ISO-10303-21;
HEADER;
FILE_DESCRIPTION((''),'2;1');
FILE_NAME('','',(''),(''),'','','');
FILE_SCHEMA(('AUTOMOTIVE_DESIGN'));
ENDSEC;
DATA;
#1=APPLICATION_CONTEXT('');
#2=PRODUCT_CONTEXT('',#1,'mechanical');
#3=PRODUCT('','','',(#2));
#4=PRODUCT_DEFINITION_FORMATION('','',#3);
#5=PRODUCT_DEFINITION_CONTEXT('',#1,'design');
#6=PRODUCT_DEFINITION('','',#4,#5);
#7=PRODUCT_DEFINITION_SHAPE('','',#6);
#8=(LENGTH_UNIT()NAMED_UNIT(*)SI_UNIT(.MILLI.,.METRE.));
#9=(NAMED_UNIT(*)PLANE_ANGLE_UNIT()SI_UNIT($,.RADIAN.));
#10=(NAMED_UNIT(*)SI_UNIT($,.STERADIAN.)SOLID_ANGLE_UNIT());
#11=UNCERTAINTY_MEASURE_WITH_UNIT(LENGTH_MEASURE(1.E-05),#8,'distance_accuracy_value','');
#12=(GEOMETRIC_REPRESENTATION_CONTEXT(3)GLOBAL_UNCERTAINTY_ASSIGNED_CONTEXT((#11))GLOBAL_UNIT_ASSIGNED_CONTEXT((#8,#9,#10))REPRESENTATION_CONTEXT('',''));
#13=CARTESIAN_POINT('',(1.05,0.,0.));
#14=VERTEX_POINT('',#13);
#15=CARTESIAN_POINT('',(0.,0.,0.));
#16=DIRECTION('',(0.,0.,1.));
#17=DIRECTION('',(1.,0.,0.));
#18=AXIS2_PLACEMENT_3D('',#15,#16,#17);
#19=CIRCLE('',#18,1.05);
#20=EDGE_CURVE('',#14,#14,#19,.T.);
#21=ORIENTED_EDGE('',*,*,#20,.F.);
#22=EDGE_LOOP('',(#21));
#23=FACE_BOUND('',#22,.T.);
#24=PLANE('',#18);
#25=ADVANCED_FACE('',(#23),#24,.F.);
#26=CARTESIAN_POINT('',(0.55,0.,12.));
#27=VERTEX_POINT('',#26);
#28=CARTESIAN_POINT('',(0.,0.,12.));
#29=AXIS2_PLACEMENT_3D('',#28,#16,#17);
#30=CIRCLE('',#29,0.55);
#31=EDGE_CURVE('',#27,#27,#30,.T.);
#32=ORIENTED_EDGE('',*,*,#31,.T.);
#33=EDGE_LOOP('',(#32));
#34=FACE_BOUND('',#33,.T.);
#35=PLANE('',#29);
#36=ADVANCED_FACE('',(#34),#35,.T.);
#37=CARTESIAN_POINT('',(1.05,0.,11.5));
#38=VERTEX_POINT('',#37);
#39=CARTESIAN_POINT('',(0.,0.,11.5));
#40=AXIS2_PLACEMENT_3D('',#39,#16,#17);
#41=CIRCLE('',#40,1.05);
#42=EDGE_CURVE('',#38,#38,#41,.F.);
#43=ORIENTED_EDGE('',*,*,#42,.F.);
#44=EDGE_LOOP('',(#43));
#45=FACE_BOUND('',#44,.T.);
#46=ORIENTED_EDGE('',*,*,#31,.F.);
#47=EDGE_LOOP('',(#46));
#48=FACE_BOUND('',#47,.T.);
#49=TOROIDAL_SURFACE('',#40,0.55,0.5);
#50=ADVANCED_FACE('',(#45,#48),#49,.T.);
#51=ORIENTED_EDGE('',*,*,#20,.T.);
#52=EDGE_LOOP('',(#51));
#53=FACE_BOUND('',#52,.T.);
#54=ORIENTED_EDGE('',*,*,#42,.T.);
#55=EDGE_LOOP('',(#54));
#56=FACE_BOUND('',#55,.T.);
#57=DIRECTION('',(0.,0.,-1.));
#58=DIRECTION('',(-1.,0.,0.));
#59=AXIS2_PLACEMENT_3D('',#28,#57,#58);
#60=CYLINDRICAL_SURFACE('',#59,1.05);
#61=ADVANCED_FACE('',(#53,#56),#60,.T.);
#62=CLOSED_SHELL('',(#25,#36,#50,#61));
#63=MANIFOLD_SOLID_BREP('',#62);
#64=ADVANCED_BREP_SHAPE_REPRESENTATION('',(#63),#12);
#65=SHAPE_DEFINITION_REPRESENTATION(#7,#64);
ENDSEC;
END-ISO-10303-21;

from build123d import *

# Parameters (mm, degrees)
SKETCH1_R           = 1.05
BOSS_EXTRUDE1_DEPTH = 12
FILLET1_R           = 0.5


with BuildPart() as part:
    # Sketch1 → Boss-Extrude1 (new body)
    with BuildSketch(Plane.XY):
        Circle(SKETCH1_R)
    extrude(amount=BOSS_EXTRUDE1_DEPTH)

    # Fillet1
    fillet1_edges = [part.edges().sort_by_distance(p)[0] for p in [
        (-1.05, 0, 12),
    ]]
    fillet(fillet1_edges, radius=FILLET1_R)


solid = part.part
